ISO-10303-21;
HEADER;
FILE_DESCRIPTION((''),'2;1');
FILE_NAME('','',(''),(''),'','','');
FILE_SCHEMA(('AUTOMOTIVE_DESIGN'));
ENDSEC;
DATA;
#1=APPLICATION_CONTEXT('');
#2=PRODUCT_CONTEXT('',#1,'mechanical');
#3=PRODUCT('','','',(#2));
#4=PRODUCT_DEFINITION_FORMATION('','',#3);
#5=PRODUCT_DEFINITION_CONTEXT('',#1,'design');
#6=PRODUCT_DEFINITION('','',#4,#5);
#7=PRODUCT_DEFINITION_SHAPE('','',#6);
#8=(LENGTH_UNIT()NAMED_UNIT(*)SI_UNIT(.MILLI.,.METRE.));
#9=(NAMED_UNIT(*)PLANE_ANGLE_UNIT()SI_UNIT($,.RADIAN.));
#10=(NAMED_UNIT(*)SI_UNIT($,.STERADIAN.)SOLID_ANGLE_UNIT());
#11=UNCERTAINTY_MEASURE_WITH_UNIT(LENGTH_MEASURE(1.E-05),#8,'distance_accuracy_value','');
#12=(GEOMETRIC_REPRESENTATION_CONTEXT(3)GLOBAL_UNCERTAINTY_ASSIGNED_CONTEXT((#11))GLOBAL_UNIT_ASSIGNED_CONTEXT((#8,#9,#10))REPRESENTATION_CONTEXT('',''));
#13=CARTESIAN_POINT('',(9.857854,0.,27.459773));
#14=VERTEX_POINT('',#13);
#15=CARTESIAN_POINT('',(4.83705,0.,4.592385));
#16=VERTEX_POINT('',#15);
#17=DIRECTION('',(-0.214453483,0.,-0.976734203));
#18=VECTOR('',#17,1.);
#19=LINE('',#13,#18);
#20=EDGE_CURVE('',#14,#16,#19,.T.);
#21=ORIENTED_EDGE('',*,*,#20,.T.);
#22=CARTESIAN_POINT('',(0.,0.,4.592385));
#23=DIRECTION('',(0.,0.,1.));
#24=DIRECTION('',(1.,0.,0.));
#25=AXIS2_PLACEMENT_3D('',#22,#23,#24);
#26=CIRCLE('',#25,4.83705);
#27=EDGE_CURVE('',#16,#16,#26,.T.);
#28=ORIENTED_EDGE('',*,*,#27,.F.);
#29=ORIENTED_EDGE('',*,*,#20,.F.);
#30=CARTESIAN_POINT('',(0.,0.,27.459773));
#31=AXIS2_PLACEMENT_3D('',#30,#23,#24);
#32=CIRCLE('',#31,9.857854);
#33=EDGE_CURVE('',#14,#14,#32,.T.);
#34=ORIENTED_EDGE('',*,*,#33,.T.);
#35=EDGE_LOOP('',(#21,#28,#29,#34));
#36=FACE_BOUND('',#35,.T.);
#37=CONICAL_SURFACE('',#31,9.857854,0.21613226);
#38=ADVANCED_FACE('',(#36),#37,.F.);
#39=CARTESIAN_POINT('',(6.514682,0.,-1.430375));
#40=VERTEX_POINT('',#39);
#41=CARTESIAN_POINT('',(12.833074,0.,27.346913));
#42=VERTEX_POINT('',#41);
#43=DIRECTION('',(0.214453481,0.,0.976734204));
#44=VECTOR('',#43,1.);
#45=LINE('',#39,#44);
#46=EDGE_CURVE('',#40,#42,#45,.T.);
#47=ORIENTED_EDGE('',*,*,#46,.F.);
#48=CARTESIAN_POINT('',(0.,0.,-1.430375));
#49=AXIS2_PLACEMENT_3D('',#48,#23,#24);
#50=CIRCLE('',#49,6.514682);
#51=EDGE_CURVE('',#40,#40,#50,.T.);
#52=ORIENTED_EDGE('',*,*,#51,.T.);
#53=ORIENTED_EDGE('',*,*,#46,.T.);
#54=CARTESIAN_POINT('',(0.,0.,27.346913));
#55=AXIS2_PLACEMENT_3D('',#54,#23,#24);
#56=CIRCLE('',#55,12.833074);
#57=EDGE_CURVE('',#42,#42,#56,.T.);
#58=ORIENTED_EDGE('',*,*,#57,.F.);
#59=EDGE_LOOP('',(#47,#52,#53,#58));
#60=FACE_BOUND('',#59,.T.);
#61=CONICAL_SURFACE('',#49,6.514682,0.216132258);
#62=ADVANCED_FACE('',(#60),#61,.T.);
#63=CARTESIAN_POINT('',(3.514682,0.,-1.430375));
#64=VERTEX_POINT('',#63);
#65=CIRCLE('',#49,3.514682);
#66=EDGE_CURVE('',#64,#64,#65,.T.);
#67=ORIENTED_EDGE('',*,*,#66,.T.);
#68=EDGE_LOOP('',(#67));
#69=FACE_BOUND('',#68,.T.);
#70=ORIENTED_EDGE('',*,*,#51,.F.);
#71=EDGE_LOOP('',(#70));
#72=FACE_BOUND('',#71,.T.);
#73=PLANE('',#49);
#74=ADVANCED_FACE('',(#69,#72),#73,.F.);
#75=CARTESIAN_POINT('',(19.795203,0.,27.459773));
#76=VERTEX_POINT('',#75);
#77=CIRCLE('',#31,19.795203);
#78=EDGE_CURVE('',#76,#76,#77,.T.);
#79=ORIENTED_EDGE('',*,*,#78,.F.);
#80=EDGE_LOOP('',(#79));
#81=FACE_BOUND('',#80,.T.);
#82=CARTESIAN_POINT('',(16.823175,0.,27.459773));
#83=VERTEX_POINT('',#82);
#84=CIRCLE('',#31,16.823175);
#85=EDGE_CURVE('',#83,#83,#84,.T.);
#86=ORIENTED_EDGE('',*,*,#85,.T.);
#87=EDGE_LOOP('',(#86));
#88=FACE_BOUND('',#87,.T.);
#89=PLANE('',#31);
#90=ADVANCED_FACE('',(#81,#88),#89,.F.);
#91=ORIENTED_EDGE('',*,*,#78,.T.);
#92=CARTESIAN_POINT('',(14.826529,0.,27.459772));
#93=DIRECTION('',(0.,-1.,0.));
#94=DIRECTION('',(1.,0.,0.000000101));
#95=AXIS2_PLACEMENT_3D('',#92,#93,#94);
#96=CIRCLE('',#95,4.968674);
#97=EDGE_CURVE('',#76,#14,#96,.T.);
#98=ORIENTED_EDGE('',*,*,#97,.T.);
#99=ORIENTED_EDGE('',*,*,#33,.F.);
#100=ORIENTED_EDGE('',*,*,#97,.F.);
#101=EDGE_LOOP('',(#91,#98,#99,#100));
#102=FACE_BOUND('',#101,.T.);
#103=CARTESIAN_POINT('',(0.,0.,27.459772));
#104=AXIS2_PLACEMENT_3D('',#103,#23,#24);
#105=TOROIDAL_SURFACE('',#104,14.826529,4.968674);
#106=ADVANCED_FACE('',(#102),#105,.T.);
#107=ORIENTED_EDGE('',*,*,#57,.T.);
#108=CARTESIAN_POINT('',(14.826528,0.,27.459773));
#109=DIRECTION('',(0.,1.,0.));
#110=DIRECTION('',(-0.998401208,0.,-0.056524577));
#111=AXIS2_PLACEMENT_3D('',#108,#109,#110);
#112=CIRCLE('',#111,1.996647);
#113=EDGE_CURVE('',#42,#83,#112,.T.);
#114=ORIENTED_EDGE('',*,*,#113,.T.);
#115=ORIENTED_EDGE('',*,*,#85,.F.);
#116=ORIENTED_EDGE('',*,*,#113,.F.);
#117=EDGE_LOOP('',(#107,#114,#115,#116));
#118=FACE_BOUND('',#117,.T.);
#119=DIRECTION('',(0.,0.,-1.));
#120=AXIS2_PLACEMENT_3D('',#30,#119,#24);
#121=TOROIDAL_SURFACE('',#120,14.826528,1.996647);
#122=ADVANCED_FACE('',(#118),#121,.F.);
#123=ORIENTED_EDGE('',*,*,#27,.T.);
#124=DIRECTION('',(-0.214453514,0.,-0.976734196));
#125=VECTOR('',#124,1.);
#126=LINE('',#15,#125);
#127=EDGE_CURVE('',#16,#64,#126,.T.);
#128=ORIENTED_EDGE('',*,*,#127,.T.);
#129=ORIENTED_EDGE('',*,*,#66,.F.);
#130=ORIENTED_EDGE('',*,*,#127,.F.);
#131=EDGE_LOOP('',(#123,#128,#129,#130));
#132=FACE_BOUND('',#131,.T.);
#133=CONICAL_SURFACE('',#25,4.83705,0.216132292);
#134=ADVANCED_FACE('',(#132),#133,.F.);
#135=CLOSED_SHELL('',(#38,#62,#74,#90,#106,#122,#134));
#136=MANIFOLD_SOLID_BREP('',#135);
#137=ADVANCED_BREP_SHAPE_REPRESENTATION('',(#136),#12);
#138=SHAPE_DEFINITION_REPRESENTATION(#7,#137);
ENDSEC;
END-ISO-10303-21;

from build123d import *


with BuildPart() as f1:
    # F0 (on Front) → F1 (revolve)
    with BuildSketch(Plane.XZ):
        with BuildLine():
            Line((16.823175, 27.459773), (19.795203, 27.459773))
            ThreePointArc((19.795203, 27.459773), (14.826528, 32.428447), (9.857854, 27.459773))
            Line((9.857854, 27.459773), (4.83705, 4.592385))
            Line((4.83705, 4.592385), (3.514682, -1.430375))
            Line((3.514682, -1.430375), (6.514682, -1.430375))
            Line((6.514682, -1.430375), (12.833074, 27.346913))
            ThreePointArc((12.833074, 27.346913), (14.770076, 29.455621), (16.823175, 27.459773))
        make_face()
    revolve(axis=Axis((0, 0, 4.655987), (0, 0, 1)))


solid = f1.part
